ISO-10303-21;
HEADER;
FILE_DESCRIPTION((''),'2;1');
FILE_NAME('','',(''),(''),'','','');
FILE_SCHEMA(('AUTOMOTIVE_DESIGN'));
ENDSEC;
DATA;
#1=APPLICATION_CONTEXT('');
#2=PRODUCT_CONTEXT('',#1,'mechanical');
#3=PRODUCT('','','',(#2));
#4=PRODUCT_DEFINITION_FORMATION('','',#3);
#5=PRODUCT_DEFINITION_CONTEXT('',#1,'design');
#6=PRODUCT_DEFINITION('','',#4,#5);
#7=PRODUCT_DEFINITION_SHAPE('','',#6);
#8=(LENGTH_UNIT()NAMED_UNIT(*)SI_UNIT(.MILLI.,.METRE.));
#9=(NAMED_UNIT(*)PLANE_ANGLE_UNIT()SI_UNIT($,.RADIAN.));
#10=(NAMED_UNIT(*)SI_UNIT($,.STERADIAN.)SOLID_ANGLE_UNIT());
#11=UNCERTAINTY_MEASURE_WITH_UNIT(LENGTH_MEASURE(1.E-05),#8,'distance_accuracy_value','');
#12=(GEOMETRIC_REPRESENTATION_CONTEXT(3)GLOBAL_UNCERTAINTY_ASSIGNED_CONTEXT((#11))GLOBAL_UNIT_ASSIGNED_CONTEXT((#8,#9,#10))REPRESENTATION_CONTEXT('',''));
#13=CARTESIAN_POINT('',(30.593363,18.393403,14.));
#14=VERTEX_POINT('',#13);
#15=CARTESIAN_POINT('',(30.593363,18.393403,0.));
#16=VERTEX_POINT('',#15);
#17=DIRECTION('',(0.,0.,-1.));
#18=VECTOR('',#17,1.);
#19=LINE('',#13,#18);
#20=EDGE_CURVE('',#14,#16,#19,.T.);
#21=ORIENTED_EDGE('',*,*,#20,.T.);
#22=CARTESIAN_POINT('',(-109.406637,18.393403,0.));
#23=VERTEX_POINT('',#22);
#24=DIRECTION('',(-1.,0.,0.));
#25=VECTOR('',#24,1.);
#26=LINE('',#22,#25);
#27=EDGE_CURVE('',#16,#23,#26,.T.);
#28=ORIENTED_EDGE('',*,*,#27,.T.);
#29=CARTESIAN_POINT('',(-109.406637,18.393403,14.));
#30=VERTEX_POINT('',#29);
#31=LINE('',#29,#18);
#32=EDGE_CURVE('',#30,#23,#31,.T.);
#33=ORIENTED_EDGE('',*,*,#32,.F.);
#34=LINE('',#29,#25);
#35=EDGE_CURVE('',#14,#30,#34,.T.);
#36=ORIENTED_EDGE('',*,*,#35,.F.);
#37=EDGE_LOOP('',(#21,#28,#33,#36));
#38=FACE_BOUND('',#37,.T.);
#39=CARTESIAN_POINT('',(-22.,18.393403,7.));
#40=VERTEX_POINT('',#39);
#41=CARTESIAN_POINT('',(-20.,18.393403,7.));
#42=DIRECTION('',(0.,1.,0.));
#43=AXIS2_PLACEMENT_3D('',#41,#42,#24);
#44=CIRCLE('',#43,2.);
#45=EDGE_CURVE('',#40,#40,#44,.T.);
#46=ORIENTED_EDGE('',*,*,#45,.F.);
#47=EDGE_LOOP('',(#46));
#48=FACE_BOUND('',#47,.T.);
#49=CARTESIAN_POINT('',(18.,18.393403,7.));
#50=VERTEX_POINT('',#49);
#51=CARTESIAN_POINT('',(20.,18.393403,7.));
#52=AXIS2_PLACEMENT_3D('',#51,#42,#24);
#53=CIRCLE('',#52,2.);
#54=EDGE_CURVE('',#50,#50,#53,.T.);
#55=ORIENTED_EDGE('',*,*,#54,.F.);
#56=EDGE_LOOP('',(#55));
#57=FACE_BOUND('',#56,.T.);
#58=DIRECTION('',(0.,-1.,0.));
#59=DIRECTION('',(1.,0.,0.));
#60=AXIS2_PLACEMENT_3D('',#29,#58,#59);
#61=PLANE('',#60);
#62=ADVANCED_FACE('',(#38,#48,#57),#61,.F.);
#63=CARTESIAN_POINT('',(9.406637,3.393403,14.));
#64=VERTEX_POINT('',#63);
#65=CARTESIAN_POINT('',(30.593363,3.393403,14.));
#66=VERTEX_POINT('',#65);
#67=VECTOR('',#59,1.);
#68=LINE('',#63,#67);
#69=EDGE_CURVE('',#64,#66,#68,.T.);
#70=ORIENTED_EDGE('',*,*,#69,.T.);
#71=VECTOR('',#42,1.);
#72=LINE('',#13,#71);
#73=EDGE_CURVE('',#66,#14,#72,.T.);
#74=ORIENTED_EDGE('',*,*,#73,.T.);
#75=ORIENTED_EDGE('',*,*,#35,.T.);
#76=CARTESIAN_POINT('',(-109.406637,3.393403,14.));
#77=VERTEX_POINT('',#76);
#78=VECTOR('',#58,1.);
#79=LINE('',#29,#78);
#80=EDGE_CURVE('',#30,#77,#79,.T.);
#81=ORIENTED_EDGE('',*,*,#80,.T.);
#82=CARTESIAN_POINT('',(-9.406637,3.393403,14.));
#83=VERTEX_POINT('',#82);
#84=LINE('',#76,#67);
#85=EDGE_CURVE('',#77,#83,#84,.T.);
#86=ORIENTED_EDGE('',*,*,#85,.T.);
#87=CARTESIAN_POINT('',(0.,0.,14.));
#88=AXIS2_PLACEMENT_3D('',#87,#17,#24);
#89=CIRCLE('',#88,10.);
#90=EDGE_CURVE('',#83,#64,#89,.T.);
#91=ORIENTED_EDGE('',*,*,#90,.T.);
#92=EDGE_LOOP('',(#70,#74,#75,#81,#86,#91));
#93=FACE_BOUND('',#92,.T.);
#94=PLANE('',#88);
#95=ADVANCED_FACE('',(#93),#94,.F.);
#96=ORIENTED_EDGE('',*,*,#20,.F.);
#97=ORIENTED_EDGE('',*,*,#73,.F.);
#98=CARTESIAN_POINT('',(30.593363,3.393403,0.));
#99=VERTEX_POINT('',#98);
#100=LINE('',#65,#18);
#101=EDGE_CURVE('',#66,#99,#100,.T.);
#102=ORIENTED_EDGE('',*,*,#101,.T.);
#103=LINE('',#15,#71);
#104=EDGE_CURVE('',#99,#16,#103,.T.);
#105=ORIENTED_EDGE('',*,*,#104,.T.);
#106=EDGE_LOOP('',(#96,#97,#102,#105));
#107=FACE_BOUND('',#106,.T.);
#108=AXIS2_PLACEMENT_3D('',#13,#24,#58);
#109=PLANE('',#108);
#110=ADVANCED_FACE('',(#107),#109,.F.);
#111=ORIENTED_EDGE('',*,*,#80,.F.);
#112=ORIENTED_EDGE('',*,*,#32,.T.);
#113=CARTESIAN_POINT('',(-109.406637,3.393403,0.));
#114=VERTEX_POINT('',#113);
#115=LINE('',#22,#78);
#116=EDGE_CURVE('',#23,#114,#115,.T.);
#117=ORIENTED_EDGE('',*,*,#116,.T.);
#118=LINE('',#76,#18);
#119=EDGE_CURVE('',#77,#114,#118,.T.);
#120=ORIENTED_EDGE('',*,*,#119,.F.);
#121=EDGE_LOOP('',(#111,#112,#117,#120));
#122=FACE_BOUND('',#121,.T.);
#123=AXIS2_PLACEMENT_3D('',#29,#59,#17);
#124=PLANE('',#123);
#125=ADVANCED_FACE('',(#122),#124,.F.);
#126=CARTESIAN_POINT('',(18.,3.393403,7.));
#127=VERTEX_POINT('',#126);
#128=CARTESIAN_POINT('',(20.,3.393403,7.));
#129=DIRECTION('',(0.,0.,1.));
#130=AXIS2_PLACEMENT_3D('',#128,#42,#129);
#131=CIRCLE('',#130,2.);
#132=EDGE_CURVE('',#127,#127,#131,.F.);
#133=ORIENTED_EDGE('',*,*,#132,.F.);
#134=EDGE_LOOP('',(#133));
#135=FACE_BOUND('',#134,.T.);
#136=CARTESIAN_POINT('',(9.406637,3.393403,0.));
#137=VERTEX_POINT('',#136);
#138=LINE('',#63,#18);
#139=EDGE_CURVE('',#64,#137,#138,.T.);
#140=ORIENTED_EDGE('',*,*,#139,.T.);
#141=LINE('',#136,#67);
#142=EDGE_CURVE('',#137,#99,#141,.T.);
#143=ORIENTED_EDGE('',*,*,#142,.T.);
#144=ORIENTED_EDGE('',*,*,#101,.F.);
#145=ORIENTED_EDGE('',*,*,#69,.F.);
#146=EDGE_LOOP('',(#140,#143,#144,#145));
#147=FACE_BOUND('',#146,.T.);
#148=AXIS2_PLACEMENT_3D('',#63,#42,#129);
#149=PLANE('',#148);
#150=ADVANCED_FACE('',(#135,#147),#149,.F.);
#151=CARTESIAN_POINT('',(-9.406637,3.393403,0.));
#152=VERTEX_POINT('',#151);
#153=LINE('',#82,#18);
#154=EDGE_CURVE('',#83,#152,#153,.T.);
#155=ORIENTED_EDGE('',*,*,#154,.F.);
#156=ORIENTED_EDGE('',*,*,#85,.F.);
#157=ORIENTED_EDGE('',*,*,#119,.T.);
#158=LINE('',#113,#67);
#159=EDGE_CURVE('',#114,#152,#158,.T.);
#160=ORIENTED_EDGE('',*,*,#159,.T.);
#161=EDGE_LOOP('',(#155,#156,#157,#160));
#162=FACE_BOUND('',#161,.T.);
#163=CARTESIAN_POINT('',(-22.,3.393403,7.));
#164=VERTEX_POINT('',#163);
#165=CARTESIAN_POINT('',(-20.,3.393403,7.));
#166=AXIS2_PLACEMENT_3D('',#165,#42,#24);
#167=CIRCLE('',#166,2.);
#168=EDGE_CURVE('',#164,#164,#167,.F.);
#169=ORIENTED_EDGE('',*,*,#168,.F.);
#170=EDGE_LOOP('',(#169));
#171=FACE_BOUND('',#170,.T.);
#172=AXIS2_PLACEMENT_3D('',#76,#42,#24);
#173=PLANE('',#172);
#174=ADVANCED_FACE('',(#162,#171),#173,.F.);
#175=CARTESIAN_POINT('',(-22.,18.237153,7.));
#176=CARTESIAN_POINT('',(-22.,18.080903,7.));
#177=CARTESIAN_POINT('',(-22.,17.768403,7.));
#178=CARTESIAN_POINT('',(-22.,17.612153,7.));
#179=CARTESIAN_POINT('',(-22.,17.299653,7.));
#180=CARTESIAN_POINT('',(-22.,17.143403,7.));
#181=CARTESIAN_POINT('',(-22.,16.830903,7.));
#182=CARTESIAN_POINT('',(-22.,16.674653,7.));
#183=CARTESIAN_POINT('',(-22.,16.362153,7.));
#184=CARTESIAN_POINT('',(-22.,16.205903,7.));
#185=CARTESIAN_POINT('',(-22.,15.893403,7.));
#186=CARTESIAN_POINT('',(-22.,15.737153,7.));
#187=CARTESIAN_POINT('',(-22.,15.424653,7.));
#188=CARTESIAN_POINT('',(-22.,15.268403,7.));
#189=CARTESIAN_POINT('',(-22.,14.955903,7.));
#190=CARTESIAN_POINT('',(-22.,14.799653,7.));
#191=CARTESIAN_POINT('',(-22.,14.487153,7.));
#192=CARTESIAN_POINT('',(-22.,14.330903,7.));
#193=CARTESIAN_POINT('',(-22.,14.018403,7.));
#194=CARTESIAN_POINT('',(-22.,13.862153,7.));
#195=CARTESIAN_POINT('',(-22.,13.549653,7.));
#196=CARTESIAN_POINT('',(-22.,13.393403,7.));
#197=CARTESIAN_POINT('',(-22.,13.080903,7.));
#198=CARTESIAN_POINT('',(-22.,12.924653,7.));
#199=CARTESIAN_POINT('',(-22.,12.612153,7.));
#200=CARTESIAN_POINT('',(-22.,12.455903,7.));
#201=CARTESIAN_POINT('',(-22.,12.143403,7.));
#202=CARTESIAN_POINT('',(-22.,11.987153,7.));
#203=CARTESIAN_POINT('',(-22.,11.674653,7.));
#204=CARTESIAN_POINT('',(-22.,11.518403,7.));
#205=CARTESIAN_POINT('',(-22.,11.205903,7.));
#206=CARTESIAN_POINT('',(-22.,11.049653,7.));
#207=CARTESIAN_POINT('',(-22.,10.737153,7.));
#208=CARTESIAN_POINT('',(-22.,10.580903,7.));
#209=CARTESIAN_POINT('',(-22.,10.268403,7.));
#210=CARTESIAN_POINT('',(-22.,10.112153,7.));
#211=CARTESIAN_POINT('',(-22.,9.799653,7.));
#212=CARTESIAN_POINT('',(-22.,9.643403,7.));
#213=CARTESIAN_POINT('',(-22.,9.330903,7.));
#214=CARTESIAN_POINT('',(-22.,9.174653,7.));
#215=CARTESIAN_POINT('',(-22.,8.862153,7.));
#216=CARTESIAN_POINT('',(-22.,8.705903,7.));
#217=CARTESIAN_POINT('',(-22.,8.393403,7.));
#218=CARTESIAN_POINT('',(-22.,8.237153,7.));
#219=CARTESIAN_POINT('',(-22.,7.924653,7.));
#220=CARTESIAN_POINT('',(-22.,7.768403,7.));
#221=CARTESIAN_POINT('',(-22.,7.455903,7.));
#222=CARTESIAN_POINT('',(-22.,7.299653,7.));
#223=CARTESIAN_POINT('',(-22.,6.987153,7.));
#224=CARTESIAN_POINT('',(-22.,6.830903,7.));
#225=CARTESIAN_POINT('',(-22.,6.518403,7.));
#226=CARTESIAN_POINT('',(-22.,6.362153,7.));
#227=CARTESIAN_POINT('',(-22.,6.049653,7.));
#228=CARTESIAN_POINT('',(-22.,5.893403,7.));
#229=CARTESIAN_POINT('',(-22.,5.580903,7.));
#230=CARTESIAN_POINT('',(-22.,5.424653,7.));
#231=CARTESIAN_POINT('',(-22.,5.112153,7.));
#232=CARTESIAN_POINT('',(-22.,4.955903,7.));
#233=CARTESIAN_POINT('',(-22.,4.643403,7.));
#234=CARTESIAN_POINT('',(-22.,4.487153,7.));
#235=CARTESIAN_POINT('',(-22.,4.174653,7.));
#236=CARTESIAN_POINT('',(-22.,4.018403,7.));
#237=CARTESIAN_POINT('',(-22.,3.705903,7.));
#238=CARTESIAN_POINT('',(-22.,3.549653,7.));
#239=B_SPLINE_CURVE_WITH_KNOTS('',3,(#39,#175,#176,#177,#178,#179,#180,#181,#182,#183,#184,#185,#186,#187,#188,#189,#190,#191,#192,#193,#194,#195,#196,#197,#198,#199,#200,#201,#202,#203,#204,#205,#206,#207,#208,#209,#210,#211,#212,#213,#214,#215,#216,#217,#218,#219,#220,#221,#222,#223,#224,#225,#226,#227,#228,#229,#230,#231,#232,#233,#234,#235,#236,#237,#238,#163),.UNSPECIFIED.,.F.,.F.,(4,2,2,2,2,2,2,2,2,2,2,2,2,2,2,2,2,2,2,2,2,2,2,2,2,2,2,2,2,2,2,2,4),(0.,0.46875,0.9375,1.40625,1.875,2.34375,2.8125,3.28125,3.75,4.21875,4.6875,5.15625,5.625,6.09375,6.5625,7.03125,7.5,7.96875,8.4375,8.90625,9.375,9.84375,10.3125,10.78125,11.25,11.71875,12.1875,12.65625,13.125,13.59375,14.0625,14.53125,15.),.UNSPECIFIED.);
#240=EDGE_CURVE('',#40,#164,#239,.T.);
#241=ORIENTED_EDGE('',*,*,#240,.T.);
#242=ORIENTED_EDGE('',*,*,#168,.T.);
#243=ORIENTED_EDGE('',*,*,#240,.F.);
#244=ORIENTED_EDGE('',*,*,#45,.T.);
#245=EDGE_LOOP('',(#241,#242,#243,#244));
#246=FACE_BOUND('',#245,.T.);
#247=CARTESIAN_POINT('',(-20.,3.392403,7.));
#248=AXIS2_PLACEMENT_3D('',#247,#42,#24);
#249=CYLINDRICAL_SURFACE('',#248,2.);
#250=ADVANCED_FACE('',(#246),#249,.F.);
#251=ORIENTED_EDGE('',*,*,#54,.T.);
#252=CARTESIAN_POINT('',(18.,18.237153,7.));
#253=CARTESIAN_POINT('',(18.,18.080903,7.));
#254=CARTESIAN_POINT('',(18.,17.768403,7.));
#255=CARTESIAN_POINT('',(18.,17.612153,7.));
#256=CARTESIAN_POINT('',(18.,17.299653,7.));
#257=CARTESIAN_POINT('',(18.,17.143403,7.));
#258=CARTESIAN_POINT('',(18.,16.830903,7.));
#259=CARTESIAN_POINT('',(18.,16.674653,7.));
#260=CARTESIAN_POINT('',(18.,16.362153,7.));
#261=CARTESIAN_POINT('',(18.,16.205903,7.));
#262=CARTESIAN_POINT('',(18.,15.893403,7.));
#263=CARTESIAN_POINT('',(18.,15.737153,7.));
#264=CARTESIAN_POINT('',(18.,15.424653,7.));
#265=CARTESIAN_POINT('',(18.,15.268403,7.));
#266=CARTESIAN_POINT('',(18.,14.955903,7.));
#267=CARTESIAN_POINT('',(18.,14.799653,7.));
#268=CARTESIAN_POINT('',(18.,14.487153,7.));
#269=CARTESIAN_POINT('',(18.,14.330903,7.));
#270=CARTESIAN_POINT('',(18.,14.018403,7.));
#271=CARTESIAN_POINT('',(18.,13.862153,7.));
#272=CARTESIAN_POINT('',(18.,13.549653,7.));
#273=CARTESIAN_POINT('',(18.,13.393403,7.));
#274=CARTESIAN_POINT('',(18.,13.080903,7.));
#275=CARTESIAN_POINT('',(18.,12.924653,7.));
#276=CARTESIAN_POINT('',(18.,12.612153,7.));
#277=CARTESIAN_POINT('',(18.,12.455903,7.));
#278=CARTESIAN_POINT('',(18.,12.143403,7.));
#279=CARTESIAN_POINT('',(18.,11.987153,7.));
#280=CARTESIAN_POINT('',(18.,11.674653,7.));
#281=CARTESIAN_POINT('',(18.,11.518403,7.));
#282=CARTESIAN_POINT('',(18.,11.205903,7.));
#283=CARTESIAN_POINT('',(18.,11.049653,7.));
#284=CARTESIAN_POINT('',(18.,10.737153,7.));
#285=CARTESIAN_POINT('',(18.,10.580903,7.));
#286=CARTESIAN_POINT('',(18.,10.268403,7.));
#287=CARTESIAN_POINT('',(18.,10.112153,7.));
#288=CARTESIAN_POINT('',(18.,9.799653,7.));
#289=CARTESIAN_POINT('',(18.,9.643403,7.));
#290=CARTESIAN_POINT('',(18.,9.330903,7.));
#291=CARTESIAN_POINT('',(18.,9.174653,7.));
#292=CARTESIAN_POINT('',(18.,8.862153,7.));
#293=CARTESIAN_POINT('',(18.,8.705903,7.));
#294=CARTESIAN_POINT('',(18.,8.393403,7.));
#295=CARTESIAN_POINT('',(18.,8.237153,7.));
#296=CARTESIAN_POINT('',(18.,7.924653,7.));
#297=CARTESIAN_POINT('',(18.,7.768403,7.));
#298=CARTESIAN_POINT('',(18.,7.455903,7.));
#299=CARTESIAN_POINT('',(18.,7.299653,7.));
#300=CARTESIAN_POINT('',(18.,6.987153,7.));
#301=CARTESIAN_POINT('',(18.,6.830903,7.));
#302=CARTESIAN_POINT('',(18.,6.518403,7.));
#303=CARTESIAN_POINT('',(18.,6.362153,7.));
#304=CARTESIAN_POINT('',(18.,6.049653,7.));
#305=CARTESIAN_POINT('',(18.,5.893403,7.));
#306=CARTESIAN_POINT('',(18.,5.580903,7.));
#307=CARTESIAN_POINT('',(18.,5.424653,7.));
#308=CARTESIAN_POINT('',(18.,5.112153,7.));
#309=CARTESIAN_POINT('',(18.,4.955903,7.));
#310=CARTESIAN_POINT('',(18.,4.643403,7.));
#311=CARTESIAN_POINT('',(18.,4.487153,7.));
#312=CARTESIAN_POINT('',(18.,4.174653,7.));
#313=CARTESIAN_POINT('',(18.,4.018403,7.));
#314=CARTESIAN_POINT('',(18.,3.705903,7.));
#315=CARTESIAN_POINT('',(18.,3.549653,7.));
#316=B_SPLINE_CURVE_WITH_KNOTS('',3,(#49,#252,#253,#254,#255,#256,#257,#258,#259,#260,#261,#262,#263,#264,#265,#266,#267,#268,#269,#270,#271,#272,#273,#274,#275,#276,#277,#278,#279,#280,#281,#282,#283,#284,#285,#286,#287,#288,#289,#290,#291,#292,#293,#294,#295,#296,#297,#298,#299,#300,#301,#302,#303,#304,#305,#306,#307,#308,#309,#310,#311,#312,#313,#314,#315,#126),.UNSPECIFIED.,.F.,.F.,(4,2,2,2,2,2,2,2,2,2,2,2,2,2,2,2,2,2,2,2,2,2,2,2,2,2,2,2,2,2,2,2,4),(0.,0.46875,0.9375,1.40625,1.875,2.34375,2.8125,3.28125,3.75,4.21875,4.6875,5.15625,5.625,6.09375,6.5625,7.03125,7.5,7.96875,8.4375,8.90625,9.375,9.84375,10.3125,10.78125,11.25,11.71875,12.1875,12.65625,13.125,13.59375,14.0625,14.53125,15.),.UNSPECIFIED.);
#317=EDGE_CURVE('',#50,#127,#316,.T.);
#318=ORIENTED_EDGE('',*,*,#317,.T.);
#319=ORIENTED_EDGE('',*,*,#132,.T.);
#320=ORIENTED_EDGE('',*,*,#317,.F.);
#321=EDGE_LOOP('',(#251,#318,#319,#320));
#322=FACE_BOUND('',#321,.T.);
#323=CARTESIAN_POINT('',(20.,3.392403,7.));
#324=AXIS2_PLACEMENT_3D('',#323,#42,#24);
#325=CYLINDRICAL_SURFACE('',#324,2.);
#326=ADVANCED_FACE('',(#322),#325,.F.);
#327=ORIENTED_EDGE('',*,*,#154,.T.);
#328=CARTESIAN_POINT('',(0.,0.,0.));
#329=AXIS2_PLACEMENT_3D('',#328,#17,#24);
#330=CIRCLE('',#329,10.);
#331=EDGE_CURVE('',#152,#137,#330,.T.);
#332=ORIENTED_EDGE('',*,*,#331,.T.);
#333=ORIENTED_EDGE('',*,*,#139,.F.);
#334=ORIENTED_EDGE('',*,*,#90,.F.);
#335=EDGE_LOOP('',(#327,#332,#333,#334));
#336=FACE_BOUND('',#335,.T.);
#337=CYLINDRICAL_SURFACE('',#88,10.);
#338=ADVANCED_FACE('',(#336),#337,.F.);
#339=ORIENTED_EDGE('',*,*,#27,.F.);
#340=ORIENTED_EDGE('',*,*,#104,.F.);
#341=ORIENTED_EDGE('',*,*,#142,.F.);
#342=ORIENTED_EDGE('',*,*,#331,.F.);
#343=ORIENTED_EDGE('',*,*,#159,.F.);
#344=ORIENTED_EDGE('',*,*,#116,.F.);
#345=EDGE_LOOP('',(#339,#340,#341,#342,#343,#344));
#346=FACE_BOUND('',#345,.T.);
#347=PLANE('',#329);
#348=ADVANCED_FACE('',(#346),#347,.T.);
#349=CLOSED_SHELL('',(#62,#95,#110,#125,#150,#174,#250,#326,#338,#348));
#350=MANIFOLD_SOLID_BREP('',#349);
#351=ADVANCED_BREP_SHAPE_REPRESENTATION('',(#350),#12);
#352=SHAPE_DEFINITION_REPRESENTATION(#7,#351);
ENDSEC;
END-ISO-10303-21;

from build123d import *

# Parameters (mm, degrees)
BOSS_EXTRUDE1_DEPTH = 14
CUT_EXTRUDE1_REACH  = 113.314
SKETCH4_R           = 2


with BuildPart() as part:
    # Sketch2 → Boss-Extrude1 (new body)
    with BuildSketch(Plane.XY):
        with BuildLine():
            Line((9.406636819, 3.393402975), (30.593363181, 3.393402975))
            Line((30.593363181, 3.393402975), (30.593363181, 18.393402975))
            Line((30.593363181, 18.393402975), (-109.406636819, 18.393402975))
            Line((-109.406636819, 18.393402975), (-109.406636819, 3.393402975))
            Line((-109.406636819, 3.393402975), (-9.406636819, 3.393402975))
            ThreePointArc((-9.406636819, 3.393402975), (0, 10), (9.406636819, 3.393402975))
        make_face()
    extrude(amount=BOSS_EXTRUDE1_DEPTH)

    # Sketch4 → Cut-Extrude1 (cut, up to next)
    with BuildSketch(Plane(origin=(0, 18.393402975, 0), x_dir=(1, 0, 0), z_dir=(0, 1, 0)), mode=Mode.PRIVATE) as cut_extrude1_sk1:
        with Locations(Location((20, -7, 0), (0, 0, 180))):
            Circle(SKETCH4_R)
    cut_extrude1_tool1 = extrude(cut_extrude1_sk1.sketch, amount=-CUT_EXTRUDE1_REACH, mode=Mode.PRIVATE) & part.part
    # Sketch4 → Cut-Extrude1 (cut, up to next)
    with BuildSketch(Plane(origin=(0, 18.393402975, 0), x_dir=(1, 0, 0), z_dir=(0, 1, 0)), mode=Mode.PRIVATE) as cut_extrude1_sk2:
        with Locations(Location((-20, -7, 0), (0, 0, 180))):
            Circle(SKETCH4_R)
    cut_extrude1_tool2 = extrude(cut_extrude1_sk2.sketch, amount=-CUT_EXTRUDE1_REACH, mode=Mode.PRIVATE) & part.part
    add(cut_extrude1_tool1.solids().sort_by_distance((20, 18.393403, 7))[0], mode=Mode.SUBTRACT)
    add(cut_extrude1_tool2.solids().sort_by_distance((-20, 18.393403, 7))[0], mode=Mode.SUBTRACT)


solid = part.part
